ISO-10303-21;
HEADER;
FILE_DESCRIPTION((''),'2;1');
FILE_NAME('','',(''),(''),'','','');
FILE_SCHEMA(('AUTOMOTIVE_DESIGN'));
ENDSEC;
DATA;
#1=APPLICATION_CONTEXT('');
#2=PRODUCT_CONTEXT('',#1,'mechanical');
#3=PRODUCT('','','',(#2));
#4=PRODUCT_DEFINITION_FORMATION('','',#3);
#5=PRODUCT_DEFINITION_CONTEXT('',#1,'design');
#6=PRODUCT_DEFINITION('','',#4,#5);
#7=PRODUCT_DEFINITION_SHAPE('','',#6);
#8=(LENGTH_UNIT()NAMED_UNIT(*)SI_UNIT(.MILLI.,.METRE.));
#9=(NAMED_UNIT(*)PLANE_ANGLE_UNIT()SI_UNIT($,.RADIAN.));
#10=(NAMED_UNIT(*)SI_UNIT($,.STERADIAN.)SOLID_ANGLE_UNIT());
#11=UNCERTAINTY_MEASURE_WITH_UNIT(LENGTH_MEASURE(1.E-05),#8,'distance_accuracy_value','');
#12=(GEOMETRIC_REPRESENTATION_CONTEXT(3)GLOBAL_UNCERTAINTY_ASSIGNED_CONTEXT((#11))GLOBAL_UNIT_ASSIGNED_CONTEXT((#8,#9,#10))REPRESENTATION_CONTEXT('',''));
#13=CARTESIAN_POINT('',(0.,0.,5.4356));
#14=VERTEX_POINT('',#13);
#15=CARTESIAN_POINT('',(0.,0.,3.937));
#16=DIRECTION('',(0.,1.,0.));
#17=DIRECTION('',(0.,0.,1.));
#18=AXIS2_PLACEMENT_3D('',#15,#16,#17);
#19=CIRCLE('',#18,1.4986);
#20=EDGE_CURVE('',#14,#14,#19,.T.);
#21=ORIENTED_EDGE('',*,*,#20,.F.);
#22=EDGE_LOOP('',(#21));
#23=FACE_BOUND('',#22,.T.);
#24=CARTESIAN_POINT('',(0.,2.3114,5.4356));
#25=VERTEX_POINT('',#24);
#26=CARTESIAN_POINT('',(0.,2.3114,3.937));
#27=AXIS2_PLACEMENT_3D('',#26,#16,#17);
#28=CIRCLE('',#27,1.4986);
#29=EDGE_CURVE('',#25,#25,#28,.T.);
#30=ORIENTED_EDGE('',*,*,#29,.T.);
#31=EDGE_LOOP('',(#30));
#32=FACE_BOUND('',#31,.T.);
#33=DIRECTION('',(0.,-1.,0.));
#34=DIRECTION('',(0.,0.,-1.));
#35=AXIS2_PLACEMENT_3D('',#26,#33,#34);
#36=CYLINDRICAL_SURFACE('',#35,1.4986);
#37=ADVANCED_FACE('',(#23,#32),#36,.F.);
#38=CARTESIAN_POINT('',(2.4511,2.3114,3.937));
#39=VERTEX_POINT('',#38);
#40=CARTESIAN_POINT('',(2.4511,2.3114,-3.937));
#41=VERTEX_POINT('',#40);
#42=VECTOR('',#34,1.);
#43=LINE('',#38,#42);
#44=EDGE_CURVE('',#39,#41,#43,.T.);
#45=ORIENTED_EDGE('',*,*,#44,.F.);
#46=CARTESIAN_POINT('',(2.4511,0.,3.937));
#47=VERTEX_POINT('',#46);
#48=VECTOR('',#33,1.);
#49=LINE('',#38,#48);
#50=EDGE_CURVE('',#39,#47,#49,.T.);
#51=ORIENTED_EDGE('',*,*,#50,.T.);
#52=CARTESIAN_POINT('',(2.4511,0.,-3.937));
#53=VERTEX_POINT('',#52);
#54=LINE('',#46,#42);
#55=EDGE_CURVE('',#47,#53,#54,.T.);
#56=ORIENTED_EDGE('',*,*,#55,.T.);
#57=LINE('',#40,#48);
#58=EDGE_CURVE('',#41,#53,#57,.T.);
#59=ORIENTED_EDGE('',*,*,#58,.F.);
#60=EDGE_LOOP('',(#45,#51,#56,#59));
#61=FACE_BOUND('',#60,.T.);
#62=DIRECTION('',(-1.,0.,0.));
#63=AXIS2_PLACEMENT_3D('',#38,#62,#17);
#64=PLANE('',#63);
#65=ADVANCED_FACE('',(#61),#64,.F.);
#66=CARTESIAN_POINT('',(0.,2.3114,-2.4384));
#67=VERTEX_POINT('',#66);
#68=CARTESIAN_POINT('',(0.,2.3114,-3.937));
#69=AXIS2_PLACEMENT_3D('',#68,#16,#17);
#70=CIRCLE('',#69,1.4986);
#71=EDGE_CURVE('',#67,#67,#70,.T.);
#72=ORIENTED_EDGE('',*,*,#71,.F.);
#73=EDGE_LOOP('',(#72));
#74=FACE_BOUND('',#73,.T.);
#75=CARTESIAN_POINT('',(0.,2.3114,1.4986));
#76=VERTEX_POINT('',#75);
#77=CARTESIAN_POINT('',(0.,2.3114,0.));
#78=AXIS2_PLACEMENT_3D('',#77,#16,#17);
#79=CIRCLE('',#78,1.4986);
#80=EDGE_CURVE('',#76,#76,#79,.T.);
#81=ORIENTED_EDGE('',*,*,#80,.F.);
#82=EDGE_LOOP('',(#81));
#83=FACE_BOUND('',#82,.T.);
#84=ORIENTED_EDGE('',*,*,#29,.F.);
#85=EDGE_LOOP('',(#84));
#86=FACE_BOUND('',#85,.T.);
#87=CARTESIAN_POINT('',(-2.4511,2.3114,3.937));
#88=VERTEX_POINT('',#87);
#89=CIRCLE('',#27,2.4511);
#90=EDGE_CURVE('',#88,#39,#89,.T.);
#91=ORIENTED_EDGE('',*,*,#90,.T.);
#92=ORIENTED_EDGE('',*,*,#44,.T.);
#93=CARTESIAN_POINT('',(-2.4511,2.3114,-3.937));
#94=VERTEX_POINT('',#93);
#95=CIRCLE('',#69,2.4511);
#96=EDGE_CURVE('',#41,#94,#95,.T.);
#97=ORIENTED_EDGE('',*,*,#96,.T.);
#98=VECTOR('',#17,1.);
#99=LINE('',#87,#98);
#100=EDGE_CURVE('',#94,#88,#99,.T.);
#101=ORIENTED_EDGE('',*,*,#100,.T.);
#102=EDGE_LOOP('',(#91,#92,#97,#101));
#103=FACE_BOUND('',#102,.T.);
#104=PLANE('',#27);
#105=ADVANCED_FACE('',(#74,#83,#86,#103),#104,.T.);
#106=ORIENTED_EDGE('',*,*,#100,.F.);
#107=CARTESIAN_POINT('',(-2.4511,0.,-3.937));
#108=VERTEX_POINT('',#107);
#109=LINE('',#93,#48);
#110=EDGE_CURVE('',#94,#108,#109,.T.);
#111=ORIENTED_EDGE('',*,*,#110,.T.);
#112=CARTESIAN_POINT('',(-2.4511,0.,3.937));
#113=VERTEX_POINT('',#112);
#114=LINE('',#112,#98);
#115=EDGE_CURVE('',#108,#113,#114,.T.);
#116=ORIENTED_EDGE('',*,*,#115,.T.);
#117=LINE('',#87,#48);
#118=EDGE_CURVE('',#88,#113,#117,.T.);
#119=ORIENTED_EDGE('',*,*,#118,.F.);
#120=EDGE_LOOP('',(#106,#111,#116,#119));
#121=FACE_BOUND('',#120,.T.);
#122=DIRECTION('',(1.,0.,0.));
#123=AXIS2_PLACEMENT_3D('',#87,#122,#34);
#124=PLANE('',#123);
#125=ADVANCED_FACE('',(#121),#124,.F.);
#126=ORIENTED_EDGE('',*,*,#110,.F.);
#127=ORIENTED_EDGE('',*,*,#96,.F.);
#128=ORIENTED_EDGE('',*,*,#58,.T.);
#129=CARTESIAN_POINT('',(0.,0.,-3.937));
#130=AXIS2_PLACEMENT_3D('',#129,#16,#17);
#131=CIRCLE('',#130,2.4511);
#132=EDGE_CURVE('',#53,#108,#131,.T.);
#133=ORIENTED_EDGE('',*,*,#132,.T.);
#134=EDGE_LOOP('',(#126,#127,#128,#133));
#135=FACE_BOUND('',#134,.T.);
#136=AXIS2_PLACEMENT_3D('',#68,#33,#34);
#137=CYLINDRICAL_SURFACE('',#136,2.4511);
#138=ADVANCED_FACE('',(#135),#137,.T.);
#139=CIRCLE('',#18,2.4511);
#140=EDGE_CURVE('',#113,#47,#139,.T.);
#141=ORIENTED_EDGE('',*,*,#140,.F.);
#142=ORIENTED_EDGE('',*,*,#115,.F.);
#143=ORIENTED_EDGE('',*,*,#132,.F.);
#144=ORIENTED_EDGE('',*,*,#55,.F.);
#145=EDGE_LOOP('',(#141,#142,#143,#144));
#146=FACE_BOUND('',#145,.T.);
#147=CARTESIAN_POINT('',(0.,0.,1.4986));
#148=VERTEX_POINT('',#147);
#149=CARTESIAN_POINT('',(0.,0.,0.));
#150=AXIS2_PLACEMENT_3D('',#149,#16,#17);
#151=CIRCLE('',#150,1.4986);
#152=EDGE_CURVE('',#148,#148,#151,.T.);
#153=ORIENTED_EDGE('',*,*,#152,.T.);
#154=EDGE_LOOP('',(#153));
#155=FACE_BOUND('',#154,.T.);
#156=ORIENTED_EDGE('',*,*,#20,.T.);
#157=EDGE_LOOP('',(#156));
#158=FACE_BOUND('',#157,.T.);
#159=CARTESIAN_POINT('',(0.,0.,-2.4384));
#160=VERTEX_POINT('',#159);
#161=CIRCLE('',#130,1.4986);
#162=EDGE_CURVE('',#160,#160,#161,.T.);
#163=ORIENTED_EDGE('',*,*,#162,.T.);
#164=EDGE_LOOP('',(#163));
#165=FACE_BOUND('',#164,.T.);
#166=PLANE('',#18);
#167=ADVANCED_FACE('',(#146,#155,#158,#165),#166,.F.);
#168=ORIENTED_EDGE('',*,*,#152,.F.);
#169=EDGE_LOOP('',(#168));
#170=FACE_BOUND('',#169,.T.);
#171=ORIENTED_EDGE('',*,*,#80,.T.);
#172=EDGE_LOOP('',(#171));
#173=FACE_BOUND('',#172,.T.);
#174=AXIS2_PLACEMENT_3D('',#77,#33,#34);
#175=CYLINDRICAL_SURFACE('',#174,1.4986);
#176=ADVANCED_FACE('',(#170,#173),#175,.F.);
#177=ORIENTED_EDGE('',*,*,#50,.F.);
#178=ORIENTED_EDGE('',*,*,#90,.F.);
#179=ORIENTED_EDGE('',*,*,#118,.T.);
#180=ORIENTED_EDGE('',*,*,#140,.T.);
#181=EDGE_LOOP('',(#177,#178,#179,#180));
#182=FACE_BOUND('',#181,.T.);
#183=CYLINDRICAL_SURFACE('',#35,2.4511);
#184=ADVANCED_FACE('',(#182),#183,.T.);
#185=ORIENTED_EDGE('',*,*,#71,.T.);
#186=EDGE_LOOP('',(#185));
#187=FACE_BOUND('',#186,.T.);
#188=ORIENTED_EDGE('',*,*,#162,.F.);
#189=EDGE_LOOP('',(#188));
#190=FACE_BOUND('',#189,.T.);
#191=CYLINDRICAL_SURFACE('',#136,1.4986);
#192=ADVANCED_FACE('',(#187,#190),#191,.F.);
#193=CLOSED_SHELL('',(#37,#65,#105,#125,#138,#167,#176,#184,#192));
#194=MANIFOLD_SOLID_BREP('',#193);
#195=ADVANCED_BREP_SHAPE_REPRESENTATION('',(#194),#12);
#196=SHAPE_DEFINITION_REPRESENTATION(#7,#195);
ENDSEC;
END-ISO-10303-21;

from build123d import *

# Parameters (mm, degrees)
SKETCH1_R           = 1.4986
BOSS_EXTRUDE1_DEPTH = 2.3114


with BuildPart() as part:
    # Sketch1 → Boss-Extrude1 (new body)
    with BuildSketch(Plane(origin=(0, 0, 0), x_dir=(1, 0, 0), z_dir=(0, 1, 0))):
        with BuildLine():
            Line((-2.4511, -3.937), (-2.4511, 3.937))
            ThreePointArc((-2.4511, 3.937), (0, 6.3881), (2.4511, 3.937))
            Line((2.4511, 3.937), (2.4511, -3.937))
            ThreePointArc((2.4511, -3.937), (0, -6.3881), (-2.4511, -3.937))
        make_face()
        with Locations((0, 3.937)):
            Circle(SKETCH1_R, mode=Mode.SUBTRACT)
        with Locations((0, -3.937)):
            Circle(SKETCH1_R, mode=Mode.SUBTRACT)
        Circle(SKETCH1_R, mode=Mode.SUBTRACT)
    extrude(amount=BOSS_EXTRUDE1_DEPTH)


solid = part.part
